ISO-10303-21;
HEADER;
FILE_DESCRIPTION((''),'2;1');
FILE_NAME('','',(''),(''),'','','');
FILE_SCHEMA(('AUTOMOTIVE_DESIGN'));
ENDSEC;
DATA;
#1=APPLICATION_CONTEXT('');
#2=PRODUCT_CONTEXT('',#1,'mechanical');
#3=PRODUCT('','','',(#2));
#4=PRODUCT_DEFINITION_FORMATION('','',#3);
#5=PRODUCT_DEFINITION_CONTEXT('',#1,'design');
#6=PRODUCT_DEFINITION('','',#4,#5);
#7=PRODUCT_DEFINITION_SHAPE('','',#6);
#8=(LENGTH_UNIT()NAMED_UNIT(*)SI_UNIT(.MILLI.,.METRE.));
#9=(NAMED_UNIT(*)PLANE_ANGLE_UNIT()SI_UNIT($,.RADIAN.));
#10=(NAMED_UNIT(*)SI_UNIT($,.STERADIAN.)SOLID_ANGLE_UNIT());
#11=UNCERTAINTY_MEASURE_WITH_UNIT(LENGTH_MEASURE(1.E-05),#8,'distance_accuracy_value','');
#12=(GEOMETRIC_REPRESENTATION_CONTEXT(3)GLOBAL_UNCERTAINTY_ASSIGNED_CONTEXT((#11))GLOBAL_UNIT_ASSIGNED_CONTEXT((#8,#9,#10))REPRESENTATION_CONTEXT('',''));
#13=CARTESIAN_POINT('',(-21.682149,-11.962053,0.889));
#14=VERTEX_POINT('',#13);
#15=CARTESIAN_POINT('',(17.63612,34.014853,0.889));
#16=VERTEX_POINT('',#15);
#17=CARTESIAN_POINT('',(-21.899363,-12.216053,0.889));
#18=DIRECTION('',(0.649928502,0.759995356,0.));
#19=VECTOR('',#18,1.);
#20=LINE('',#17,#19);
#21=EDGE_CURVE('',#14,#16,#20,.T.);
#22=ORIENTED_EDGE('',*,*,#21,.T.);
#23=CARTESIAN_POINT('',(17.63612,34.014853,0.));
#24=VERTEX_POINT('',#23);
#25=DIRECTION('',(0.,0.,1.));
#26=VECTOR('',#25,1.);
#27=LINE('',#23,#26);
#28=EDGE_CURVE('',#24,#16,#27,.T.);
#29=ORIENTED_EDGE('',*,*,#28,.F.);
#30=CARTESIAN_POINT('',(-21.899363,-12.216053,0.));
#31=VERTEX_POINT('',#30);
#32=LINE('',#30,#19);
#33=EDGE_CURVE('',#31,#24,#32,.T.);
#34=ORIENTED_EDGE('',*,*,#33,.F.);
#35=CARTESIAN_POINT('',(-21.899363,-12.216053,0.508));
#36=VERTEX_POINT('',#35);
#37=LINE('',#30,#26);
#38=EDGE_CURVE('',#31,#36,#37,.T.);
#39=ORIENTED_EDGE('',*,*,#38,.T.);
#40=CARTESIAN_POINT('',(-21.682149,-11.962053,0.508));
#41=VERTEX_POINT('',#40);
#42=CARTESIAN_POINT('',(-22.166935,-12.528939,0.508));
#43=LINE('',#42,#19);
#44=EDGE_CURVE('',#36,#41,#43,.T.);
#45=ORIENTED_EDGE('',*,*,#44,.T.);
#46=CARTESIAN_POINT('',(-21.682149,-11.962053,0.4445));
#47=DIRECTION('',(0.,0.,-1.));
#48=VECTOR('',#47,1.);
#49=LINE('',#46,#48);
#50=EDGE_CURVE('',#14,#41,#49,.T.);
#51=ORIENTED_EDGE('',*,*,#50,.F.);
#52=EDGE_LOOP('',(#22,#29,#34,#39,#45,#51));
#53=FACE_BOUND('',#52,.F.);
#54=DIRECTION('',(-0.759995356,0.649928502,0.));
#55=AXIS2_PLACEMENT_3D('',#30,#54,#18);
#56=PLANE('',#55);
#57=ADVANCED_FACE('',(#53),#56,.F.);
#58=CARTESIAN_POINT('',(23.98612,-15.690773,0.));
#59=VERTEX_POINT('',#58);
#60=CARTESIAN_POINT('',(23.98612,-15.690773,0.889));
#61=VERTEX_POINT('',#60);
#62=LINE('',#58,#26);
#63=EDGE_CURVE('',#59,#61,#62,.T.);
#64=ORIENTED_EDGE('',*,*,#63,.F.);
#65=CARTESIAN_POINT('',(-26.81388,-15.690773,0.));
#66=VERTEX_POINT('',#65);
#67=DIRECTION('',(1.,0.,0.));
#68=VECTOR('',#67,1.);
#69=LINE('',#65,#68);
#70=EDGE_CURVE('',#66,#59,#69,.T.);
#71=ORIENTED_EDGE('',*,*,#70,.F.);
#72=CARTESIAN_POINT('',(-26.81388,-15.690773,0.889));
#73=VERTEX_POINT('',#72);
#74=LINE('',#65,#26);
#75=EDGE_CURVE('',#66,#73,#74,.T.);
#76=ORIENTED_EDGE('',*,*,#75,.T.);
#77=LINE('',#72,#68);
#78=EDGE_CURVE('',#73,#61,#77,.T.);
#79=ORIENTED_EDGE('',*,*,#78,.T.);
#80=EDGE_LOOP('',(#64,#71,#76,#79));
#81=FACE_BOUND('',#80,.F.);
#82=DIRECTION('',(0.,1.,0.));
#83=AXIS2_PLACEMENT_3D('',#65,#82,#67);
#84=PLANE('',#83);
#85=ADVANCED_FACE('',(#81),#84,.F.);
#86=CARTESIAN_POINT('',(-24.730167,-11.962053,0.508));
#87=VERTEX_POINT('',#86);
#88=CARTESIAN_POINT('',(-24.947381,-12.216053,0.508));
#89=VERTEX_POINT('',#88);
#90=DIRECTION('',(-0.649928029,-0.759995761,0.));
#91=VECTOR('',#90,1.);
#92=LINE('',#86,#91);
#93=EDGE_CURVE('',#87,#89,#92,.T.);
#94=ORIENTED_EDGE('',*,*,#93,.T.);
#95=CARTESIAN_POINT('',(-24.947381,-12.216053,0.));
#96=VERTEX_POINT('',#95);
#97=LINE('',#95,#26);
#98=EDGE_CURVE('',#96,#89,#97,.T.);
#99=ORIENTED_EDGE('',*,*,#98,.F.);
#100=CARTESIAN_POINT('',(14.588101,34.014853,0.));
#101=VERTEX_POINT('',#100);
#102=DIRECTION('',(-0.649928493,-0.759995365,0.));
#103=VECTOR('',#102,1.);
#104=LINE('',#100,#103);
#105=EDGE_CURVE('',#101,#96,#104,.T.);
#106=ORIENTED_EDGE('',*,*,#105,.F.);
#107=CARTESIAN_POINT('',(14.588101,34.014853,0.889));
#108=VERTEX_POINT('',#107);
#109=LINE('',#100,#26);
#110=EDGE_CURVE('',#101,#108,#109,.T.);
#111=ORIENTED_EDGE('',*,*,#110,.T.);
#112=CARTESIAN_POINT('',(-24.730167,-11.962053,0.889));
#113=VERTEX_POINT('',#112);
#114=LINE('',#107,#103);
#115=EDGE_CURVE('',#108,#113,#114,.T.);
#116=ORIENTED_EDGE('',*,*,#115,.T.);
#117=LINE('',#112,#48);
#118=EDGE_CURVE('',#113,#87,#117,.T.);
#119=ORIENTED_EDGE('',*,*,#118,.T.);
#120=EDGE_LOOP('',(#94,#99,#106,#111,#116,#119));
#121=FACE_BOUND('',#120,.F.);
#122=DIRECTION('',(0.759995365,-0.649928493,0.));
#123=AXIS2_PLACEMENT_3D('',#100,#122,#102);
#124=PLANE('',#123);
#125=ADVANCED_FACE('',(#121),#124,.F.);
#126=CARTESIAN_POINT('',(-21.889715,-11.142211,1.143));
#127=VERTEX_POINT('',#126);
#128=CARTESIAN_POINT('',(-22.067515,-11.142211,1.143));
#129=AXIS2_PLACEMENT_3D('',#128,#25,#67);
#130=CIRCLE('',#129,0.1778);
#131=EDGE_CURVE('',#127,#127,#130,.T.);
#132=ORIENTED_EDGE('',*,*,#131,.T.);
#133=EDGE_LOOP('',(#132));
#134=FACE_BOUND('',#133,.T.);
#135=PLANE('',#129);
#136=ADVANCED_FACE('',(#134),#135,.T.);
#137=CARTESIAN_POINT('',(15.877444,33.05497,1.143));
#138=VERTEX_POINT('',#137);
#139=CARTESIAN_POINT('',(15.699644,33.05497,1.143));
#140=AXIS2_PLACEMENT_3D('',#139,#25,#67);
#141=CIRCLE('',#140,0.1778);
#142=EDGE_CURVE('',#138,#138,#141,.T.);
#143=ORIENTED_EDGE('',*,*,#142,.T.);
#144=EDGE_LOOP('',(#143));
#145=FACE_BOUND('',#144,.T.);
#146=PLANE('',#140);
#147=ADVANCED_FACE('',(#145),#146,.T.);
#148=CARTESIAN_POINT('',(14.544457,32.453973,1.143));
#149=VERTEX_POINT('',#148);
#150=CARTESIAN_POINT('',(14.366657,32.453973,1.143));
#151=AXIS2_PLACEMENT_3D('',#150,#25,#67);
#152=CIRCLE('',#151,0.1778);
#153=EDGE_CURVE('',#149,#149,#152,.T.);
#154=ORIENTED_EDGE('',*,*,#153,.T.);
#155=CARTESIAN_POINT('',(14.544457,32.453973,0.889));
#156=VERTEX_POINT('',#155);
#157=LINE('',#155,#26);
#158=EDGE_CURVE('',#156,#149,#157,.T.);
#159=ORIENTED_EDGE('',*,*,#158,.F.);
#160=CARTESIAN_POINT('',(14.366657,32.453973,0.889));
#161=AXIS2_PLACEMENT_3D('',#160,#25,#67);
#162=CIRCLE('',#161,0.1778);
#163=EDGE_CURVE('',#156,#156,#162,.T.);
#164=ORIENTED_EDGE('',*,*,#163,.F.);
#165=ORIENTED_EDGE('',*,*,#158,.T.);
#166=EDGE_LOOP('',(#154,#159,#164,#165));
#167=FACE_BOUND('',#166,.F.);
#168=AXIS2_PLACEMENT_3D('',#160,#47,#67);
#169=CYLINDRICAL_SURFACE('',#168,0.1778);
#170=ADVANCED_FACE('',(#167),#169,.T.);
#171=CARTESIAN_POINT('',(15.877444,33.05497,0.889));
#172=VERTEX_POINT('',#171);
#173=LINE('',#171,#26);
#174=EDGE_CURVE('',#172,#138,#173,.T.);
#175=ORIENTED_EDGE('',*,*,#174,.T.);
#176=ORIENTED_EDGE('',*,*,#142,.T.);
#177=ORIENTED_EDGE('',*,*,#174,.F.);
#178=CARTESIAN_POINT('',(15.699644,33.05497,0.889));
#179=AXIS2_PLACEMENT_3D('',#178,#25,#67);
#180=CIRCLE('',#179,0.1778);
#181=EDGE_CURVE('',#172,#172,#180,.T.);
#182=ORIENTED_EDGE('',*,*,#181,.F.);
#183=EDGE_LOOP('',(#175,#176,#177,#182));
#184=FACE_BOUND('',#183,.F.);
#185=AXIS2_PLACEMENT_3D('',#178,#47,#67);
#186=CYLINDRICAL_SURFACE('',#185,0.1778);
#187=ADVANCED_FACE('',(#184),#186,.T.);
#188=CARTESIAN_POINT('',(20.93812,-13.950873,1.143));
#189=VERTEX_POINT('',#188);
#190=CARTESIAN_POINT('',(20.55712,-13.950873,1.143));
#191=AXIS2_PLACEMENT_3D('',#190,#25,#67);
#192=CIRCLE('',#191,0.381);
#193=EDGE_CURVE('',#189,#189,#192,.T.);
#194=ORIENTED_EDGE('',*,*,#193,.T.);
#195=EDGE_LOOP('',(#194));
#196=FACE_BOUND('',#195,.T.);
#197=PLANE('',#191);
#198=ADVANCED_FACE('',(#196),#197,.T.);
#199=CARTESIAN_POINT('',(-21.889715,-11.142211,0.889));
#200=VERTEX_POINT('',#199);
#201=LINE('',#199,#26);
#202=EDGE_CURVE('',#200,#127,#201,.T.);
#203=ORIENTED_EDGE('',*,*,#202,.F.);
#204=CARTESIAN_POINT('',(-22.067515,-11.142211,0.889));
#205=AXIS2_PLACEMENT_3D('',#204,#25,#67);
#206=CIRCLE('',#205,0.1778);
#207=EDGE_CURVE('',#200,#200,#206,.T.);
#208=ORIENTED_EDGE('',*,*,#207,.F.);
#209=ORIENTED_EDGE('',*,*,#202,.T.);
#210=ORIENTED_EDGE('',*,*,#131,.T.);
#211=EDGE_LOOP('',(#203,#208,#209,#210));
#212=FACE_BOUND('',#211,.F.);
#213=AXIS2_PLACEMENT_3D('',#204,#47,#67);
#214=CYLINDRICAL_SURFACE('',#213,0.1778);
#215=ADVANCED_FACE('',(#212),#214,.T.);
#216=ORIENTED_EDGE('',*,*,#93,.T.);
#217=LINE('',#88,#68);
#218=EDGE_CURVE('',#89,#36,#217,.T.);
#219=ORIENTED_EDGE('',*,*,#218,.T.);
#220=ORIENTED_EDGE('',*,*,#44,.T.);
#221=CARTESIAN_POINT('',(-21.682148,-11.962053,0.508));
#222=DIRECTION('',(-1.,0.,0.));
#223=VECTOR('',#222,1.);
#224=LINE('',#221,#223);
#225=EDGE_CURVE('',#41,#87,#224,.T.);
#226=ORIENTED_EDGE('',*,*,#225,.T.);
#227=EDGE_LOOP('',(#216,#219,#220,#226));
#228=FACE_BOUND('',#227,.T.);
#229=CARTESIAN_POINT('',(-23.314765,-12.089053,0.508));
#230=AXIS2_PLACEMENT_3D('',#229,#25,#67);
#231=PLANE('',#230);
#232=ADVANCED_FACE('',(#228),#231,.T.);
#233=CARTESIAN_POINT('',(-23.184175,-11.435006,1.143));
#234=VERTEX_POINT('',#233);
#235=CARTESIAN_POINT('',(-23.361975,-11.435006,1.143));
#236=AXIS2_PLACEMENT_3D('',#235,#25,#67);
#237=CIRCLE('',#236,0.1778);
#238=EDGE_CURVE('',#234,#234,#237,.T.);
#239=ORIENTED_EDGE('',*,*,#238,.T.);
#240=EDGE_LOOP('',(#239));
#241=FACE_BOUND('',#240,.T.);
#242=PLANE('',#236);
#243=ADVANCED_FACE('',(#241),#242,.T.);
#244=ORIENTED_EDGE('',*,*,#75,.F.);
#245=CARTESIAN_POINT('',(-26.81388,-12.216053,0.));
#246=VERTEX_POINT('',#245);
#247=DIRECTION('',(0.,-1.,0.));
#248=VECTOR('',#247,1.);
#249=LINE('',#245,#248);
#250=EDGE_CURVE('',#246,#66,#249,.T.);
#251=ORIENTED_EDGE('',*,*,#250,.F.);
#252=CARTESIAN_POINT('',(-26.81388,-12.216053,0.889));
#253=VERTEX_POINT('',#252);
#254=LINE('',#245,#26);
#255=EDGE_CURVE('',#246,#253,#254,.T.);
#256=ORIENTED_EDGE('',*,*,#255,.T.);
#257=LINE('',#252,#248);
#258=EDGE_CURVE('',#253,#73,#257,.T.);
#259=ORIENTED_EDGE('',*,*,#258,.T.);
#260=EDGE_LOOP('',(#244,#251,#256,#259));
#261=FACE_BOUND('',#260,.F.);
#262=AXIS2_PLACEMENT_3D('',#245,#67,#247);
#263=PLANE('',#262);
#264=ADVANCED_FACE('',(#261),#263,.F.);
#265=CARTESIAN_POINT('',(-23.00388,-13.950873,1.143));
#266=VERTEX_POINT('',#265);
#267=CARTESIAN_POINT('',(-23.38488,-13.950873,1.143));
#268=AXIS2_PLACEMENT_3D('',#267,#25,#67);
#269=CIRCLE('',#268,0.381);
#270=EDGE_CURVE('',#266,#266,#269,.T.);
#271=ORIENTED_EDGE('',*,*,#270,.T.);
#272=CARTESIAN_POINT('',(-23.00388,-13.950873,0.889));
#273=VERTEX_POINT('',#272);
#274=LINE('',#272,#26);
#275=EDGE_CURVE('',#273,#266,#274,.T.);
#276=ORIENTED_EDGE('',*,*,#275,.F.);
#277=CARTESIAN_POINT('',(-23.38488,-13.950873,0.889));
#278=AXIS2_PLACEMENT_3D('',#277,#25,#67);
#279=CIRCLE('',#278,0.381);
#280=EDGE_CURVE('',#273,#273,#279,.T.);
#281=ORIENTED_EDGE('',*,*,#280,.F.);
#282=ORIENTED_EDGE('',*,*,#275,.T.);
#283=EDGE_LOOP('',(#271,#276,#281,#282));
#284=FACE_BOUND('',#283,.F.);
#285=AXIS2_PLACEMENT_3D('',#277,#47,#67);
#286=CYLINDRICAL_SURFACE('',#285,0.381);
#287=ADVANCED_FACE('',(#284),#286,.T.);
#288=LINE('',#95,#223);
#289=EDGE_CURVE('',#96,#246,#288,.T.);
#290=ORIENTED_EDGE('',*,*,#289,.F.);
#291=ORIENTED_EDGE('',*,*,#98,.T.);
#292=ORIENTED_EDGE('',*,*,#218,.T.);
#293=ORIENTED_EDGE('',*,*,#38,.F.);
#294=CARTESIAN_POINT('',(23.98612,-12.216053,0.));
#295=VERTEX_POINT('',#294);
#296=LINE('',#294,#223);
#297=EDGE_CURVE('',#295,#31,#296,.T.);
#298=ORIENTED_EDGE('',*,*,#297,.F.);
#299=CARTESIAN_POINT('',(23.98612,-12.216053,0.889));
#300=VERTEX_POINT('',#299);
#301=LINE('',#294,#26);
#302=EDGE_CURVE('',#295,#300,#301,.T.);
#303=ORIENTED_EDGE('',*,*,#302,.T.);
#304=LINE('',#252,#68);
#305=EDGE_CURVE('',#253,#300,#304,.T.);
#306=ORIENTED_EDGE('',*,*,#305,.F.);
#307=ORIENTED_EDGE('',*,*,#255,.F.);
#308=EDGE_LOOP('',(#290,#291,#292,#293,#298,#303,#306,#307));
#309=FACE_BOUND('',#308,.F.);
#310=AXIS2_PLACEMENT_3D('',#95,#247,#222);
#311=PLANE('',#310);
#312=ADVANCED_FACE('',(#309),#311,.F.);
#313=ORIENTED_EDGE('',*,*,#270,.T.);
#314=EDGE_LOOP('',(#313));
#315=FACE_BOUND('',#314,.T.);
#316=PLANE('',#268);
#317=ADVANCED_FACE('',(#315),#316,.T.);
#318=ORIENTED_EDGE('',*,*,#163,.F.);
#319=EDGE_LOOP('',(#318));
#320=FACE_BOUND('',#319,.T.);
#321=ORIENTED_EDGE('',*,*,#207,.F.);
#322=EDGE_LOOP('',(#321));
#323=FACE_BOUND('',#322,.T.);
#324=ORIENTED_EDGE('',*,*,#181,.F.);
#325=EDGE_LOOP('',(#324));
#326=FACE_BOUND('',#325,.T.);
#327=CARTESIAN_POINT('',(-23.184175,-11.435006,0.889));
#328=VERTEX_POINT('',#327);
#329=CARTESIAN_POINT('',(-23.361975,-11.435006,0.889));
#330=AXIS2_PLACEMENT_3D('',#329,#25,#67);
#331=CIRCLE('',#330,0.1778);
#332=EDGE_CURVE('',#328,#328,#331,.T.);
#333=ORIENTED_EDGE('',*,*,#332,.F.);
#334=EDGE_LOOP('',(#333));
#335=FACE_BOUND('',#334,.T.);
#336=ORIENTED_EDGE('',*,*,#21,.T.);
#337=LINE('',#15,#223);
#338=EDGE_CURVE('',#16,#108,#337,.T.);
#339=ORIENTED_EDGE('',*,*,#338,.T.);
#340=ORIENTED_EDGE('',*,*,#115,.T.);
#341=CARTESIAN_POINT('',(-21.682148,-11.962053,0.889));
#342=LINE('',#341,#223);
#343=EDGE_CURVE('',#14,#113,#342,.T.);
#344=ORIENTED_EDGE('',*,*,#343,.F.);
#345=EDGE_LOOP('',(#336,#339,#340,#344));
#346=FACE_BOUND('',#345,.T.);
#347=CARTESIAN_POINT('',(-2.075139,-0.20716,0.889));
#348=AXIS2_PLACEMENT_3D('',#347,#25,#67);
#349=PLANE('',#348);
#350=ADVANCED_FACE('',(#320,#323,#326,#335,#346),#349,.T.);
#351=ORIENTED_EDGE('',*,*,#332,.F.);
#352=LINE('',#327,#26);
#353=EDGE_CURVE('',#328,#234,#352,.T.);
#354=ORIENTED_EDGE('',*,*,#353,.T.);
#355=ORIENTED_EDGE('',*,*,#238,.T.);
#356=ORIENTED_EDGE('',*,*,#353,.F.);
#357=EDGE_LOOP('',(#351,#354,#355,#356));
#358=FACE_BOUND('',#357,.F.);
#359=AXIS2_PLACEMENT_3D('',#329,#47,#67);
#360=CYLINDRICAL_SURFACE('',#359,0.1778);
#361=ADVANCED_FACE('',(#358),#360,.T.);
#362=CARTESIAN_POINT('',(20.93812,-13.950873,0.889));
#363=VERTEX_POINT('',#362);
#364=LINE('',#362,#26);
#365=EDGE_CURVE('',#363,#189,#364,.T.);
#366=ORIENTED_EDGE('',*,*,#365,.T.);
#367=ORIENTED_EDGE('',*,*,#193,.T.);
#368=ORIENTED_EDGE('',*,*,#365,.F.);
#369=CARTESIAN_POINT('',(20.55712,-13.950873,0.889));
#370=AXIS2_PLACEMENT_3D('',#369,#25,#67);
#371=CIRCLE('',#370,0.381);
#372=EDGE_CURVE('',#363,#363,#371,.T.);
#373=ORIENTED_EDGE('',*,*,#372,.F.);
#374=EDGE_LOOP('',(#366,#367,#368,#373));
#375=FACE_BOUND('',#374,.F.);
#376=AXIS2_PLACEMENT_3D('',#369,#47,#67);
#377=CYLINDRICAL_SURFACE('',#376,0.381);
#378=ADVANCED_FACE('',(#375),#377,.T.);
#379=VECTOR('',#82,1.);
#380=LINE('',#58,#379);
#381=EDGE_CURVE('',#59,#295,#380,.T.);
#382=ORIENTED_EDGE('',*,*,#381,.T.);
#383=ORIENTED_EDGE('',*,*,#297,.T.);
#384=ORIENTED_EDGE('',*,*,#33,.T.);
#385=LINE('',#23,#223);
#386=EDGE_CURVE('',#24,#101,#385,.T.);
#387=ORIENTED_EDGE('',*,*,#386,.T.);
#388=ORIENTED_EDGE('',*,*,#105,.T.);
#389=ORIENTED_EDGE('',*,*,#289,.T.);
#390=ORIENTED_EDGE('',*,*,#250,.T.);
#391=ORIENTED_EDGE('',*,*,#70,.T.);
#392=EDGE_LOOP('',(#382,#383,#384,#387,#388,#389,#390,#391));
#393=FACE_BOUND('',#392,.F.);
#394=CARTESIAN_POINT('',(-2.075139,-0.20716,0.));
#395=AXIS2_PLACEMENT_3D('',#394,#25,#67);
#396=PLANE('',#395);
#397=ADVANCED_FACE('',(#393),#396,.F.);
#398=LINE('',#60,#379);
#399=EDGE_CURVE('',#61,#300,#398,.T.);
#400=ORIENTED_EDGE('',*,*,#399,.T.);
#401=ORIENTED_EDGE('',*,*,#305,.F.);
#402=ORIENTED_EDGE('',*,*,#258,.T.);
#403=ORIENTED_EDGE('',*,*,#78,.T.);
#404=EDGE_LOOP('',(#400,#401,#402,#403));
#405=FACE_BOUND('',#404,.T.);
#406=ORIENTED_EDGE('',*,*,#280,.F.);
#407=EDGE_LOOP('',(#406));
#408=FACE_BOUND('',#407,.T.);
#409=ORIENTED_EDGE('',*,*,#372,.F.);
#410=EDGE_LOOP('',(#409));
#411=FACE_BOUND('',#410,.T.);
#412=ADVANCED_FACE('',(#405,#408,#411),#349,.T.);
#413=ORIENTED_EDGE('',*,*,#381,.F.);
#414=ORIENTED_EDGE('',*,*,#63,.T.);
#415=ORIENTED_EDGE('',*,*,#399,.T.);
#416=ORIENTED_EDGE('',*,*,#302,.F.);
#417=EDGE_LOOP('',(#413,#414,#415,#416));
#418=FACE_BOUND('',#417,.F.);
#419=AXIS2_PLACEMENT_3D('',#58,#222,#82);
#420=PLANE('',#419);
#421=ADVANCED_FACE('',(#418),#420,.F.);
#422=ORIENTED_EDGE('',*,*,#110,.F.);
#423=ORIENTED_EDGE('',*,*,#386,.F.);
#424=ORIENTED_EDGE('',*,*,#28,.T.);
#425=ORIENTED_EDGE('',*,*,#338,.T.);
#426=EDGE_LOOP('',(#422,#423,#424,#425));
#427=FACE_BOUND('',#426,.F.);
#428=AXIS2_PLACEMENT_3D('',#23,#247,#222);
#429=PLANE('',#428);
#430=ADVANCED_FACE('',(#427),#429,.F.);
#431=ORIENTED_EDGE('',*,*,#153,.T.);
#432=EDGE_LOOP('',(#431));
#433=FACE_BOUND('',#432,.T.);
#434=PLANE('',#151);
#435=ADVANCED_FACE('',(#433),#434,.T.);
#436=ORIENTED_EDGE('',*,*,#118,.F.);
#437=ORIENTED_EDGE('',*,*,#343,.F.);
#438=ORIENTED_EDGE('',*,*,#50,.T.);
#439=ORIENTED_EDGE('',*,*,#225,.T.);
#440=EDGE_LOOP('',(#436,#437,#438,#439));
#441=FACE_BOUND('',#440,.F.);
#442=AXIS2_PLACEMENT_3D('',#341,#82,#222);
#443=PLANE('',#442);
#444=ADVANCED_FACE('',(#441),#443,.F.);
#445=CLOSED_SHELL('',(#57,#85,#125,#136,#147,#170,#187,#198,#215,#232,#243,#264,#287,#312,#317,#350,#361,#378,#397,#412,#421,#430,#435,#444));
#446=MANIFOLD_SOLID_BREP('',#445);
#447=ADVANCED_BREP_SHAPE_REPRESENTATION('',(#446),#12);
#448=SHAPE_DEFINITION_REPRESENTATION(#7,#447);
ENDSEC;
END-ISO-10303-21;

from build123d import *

# Parameters (mm, degrees)
F1_DEPTH = 0.889
F3_DEPTH = 0.381
F4_R     = 0.1778
F4_R_2   = 0.381
F5_DEPTH = 0.254


with BuildPart() as f1:
    # F0 (on Top) → F1 (new body)
    with BuildSketch(Plane.XY):
        Polygon((-24.947381, -12.216053), (-26.81388, -12.216053), (-26.81388, -15.690773), (23.98612, -15.690773), (23.98612, -12.216053), (-21.899363, -12.216053), (17.63612, 34.014853), (14.588101, 34.014853), align=None)
    extrude(amount=F1_DEPTH)

    # F2 (on face) → F3 (cut)
    with BuildSketch(Plane.XY.offset(0.889)):
        Polygon((-24.730167, -11.962053), (-24.947381, -12.216053), (-21.899363, -12.216053), (-21.682148, -11.962053), align=None)
    extrude(amount=-F3_DEPTH, mode=Mode.SUBTRACT)

    # F4 (on face) → F5 (join)
    with BuildSketch(Plane.XY.offset(0.889)):
        with Locations((-23.361975, -11.435006)):
            Circle(F4_R)
        with Locations((-22.067515, -11.142211)):
            Circle(F4_R)
        with Locations((-23.38488, -13.950873)):
            Circle(F4_R_2)
        with Locations((15.699644, 33.05497)):
            Circle(F4_R)
        with Locations((14.366657, 32.453973)):
            Circle(F4_R)
        with Locations((20.55712, -13.950873)):
            Circle(F4_R_2)
    extrude(amount=F5_DEPTH)


solid = f1.part
